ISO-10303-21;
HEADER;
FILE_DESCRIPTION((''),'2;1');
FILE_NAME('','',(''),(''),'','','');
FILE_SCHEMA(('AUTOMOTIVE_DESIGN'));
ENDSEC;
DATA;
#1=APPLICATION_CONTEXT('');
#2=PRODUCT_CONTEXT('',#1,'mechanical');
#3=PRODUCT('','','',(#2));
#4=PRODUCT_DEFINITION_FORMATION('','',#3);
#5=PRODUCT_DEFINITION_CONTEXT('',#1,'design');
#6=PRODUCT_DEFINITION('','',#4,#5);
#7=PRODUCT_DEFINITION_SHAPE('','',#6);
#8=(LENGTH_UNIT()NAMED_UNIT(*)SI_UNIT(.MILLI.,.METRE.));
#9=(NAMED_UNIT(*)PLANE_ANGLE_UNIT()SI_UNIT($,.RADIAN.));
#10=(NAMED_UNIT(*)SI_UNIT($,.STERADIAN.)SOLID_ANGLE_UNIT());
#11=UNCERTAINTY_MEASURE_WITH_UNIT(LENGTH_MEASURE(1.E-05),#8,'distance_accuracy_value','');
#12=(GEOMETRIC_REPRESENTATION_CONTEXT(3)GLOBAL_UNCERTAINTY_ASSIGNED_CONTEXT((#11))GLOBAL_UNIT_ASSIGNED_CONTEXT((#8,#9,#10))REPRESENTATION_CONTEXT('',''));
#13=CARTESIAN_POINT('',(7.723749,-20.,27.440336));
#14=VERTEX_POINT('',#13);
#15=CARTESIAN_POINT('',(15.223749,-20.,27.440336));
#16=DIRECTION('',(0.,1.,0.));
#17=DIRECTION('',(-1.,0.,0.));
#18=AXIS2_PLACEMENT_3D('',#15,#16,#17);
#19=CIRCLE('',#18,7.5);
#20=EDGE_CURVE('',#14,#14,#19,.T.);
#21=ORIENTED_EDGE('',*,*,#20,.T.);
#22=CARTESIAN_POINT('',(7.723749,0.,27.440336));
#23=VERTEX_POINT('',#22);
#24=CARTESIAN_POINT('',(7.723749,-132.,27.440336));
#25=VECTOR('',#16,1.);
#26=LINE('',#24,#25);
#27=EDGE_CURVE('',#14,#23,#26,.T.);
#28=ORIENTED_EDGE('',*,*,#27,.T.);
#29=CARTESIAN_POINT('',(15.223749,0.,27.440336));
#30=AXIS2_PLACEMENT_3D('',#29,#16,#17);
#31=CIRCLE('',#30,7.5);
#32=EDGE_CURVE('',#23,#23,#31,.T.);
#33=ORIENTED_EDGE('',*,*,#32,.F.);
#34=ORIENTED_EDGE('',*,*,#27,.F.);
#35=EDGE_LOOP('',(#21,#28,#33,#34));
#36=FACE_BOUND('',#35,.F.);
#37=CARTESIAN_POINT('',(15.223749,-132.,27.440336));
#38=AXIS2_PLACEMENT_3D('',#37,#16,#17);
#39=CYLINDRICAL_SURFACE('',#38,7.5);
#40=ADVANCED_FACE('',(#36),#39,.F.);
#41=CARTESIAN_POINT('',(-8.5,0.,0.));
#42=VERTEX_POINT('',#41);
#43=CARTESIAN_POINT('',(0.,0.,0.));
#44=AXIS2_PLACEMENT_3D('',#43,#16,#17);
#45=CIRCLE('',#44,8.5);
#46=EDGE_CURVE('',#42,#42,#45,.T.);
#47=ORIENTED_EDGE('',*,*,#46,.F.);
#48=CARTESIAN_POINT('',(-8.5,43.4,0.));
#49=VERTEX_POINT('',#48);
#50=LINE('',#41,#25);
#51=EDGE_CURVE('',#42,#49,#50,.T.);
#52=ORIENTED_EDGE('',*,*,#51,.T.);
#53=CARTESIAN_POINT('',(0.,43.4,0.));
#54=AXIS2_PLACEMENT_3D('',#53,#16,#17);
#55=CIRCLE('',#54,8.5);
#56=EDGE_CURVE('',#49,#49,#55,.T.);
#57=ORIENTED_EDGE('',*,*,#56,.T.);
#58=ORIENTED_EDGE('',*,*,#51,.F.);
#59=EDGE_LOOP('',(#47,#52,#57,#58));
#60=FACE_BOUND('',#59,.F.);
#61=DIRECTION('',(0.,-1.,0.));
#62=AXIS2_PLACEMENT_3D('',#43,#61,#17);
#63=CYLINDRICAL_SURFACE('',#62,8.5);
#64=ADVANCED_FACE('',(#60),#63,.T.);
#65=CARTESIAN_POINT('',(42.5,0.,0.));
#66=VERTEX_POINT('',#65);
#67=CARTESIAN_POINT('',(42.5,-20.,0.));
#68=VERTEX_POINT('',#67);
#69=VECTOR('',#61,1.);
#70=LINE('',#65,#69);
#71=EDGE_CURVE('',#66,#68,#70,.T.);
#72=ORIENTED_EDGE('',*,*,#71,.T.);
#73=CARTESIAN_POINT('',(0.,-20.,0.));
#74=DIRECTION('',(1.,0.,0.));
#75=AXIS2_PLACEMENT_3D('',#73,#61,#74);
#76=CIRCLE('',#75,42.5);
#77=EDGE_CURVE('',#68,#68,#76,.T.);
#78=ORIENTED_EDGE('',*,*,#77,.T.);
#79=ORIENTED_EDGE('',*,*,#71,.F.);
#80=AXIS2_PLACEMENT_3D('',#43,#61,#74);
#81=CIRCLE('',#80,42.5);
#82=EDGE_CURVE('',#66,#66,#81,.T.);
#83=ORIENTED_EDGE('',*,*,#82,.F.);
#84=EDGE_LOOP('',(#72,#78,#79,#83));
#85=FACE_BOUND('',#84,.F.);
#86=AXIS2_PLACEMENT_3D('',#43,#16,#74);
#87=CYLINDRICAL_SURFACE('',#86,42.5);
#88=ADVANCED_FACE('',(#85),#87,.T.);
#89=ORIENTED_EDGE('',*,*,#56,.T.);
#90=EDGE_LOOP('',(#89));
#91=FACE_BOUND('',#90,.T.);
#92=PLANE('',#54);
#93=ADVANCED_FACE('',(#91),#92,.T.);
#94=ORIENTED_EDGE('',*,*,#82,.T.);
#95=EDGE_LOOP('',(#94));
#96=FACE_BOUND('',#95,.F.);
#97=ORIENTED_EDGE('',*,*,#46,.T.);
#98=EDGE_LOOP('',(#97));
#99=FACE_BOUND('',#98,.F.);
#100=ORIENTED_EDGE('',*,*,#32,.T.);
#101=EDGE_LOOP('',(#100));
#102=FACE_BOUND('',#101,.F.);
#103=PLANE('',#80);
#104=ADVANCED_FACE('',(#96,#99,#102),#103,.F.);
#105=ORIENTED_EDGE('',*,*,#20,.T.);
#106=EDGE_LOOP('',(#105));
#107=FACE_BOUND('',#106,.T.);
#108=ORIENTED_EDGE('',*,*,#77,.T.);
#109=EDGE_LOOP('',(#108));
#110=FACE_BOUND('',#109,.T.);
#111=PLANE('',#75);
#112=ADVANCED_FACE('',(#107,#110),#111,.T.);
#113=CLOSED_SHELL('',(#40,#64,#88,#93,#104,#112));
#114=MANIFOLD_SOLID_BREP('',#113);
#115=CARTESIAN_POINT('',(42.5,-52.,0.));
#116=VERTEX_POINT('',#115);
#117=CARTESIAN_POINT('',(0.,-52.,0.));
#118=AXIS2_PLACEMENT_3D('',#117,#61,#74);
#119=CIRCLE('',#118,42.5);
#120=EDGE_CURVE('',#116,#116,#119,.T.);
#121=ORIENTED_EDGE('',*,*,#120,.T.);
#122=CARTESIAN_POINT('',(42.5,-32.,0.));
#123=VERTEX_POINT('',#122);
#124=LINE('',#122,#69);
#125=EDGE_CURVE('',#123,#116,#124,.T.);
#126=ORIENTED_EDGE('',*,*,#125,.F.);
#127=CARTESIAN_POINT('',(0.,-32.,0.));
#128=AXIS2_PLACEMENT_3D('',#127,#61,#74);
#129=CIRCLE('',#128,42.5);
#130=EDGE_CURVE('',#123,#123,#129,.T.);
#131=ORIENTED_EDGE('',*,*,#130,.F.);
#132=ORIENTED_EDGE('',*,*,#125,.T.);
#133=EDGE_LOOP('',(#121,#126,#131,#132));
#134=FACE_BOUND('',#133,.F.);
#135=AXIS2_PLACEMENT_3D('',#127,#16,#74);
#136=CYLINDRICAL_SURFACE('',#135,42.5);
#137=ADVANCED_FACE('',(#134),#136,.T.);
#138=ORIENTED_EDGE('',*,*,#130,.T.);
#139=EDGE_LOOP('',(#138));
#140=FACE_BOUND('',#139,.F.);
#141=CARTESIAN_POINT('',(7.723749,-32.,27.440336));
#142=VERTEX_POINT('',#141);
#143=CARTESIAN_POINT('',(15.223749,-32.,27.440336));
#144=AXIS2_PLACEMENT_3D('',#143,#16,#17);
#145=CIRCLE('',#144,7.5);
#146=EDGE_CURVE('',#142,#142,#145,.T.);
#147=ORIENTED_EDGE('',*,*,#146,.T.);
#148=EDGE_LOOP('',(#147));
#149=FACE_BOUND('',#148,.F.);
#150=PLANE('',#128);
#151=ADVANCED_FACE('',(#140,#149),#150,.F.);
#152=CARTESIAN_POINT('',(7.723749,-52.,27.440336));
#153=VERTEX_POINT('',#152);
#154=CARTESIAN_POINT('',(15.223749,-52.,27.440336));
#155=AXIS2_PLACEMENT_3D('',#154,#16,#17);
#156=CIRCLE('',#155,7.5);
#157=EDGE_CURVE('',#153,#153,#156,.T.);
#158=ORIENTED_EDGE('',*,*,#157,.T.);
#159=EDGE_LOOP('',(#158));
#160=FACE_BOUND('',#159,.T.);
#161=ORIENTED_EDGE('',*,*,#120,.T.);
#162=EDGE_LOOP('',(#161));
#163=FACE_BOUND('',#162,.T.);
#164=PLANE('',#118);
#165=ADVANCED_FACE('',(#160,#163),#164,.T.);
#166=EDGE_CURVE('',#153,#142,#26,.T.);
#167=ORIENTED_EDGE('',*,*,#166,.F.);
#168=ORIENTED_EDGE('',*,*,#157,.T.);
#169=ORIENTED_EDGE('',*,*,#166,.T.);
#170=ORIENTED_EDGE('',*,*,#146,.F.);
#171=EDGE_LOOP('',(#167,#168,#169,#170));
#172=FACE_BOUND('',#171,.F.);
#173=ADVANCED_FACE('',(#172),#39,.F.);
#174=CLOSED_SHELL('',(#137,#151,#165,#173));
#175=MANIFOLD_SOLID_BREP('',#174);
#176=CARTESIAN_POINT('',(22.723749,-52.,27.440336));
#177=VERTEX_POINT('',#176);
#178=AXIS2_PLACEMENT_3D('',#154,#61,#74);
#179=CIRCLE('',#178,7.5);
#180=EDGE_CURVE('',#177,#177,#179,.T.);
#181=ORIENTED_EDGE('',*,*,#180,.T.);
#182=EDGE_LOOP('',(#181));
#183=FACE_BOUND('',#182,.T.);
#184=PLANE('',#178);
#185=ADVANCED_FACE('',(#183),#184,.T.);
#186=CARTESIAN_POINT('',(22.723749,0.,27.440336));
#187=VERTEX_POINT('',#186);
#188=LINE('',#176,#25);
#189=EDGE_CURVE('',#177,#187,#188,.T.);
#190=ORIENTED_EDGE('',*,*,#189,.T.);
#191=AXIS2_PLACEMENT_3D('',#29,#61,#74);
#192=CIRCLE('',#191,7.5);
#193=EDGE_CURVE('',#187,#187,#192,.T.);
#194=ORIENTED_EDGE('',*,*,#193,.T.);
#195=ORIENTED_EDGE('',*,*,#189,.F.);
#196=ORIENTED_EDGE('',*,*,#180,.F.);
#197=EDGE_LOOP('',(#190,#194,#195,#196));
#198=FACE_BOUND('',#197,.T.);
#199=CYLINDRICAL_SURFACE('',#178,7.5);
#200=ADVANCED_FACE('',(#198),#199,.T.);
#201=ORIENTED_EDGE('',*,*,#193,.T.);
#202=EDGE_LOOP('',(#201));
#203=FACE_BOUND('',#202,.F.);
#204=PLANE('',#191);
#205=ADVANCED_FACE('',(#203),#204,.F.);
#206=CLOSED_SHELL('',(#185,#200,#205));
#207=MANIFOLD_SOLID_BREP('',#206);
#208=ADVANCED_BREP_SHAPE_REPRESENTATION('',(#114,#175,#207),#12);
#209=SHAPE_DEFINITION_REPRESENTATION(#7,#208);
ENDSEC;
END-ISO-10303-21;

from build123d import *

# Parameters (mm, degrees)
F0_R       = 42.5
F1_DEPTH   = 20
F3_R       = 42.5
F4_DEPTH   = 20
F5_R       = 8.5
F6_DEPTH   = 43.4
F8_D       = 15
F8_DEPTH   = 80
F8_2_D     = 15
F8_2_DEPTH = 80
F9_R       = 7.5
F10_DEPTH  = 52


with BuildPart() as f1:
    # F0 (on Front) → F1 (new body)
    with BuildSketch(Plane.XZ):
        Circle(F0_R)
    extrude(amount=F1_DEPTH)

    # F5 (on face) → F6 (join)
    with BuildSketch(Plane(origin=(0, 0, 0), x_dir=(-1, 0, 0), z_dir=(0, 1, 0))):
        Circle(F5_R)
    extrude(amount=F6_DEPTH)

    # F8
    with Locations(Plane.XZ.offset(52)):
        with Locations((15.223749, 27.440336)):
            Hole(F8_D / 2, depth=F8_DEPTH)


with BuildPart() as f4:
    # F3 (on offset) → F4 (new body)
    with BuildSketch(Plane.XZ.offset(32)):
        Circle(F3_R)
    extrude(amount=F4_DEPTH)

    # F8#2
    with Locations(Plane.XZ.offset(52)):
        with Locations((15.223749, 27.440336)):
            Hole(F8_2_D / 2, depth=F8_2_DEPTH)


with BuildPart() as f10:
    # F9 (on face) → F10 (new body)
    with BuildSketch(Plane.XZ.offset(52)):
        with Locations((15.223749, 27.440336)):
            Circle(F9_R)
    extrude(amount=-F10_DEPTH)


solid = Compound([f1.part, f4.part, f10.part])
